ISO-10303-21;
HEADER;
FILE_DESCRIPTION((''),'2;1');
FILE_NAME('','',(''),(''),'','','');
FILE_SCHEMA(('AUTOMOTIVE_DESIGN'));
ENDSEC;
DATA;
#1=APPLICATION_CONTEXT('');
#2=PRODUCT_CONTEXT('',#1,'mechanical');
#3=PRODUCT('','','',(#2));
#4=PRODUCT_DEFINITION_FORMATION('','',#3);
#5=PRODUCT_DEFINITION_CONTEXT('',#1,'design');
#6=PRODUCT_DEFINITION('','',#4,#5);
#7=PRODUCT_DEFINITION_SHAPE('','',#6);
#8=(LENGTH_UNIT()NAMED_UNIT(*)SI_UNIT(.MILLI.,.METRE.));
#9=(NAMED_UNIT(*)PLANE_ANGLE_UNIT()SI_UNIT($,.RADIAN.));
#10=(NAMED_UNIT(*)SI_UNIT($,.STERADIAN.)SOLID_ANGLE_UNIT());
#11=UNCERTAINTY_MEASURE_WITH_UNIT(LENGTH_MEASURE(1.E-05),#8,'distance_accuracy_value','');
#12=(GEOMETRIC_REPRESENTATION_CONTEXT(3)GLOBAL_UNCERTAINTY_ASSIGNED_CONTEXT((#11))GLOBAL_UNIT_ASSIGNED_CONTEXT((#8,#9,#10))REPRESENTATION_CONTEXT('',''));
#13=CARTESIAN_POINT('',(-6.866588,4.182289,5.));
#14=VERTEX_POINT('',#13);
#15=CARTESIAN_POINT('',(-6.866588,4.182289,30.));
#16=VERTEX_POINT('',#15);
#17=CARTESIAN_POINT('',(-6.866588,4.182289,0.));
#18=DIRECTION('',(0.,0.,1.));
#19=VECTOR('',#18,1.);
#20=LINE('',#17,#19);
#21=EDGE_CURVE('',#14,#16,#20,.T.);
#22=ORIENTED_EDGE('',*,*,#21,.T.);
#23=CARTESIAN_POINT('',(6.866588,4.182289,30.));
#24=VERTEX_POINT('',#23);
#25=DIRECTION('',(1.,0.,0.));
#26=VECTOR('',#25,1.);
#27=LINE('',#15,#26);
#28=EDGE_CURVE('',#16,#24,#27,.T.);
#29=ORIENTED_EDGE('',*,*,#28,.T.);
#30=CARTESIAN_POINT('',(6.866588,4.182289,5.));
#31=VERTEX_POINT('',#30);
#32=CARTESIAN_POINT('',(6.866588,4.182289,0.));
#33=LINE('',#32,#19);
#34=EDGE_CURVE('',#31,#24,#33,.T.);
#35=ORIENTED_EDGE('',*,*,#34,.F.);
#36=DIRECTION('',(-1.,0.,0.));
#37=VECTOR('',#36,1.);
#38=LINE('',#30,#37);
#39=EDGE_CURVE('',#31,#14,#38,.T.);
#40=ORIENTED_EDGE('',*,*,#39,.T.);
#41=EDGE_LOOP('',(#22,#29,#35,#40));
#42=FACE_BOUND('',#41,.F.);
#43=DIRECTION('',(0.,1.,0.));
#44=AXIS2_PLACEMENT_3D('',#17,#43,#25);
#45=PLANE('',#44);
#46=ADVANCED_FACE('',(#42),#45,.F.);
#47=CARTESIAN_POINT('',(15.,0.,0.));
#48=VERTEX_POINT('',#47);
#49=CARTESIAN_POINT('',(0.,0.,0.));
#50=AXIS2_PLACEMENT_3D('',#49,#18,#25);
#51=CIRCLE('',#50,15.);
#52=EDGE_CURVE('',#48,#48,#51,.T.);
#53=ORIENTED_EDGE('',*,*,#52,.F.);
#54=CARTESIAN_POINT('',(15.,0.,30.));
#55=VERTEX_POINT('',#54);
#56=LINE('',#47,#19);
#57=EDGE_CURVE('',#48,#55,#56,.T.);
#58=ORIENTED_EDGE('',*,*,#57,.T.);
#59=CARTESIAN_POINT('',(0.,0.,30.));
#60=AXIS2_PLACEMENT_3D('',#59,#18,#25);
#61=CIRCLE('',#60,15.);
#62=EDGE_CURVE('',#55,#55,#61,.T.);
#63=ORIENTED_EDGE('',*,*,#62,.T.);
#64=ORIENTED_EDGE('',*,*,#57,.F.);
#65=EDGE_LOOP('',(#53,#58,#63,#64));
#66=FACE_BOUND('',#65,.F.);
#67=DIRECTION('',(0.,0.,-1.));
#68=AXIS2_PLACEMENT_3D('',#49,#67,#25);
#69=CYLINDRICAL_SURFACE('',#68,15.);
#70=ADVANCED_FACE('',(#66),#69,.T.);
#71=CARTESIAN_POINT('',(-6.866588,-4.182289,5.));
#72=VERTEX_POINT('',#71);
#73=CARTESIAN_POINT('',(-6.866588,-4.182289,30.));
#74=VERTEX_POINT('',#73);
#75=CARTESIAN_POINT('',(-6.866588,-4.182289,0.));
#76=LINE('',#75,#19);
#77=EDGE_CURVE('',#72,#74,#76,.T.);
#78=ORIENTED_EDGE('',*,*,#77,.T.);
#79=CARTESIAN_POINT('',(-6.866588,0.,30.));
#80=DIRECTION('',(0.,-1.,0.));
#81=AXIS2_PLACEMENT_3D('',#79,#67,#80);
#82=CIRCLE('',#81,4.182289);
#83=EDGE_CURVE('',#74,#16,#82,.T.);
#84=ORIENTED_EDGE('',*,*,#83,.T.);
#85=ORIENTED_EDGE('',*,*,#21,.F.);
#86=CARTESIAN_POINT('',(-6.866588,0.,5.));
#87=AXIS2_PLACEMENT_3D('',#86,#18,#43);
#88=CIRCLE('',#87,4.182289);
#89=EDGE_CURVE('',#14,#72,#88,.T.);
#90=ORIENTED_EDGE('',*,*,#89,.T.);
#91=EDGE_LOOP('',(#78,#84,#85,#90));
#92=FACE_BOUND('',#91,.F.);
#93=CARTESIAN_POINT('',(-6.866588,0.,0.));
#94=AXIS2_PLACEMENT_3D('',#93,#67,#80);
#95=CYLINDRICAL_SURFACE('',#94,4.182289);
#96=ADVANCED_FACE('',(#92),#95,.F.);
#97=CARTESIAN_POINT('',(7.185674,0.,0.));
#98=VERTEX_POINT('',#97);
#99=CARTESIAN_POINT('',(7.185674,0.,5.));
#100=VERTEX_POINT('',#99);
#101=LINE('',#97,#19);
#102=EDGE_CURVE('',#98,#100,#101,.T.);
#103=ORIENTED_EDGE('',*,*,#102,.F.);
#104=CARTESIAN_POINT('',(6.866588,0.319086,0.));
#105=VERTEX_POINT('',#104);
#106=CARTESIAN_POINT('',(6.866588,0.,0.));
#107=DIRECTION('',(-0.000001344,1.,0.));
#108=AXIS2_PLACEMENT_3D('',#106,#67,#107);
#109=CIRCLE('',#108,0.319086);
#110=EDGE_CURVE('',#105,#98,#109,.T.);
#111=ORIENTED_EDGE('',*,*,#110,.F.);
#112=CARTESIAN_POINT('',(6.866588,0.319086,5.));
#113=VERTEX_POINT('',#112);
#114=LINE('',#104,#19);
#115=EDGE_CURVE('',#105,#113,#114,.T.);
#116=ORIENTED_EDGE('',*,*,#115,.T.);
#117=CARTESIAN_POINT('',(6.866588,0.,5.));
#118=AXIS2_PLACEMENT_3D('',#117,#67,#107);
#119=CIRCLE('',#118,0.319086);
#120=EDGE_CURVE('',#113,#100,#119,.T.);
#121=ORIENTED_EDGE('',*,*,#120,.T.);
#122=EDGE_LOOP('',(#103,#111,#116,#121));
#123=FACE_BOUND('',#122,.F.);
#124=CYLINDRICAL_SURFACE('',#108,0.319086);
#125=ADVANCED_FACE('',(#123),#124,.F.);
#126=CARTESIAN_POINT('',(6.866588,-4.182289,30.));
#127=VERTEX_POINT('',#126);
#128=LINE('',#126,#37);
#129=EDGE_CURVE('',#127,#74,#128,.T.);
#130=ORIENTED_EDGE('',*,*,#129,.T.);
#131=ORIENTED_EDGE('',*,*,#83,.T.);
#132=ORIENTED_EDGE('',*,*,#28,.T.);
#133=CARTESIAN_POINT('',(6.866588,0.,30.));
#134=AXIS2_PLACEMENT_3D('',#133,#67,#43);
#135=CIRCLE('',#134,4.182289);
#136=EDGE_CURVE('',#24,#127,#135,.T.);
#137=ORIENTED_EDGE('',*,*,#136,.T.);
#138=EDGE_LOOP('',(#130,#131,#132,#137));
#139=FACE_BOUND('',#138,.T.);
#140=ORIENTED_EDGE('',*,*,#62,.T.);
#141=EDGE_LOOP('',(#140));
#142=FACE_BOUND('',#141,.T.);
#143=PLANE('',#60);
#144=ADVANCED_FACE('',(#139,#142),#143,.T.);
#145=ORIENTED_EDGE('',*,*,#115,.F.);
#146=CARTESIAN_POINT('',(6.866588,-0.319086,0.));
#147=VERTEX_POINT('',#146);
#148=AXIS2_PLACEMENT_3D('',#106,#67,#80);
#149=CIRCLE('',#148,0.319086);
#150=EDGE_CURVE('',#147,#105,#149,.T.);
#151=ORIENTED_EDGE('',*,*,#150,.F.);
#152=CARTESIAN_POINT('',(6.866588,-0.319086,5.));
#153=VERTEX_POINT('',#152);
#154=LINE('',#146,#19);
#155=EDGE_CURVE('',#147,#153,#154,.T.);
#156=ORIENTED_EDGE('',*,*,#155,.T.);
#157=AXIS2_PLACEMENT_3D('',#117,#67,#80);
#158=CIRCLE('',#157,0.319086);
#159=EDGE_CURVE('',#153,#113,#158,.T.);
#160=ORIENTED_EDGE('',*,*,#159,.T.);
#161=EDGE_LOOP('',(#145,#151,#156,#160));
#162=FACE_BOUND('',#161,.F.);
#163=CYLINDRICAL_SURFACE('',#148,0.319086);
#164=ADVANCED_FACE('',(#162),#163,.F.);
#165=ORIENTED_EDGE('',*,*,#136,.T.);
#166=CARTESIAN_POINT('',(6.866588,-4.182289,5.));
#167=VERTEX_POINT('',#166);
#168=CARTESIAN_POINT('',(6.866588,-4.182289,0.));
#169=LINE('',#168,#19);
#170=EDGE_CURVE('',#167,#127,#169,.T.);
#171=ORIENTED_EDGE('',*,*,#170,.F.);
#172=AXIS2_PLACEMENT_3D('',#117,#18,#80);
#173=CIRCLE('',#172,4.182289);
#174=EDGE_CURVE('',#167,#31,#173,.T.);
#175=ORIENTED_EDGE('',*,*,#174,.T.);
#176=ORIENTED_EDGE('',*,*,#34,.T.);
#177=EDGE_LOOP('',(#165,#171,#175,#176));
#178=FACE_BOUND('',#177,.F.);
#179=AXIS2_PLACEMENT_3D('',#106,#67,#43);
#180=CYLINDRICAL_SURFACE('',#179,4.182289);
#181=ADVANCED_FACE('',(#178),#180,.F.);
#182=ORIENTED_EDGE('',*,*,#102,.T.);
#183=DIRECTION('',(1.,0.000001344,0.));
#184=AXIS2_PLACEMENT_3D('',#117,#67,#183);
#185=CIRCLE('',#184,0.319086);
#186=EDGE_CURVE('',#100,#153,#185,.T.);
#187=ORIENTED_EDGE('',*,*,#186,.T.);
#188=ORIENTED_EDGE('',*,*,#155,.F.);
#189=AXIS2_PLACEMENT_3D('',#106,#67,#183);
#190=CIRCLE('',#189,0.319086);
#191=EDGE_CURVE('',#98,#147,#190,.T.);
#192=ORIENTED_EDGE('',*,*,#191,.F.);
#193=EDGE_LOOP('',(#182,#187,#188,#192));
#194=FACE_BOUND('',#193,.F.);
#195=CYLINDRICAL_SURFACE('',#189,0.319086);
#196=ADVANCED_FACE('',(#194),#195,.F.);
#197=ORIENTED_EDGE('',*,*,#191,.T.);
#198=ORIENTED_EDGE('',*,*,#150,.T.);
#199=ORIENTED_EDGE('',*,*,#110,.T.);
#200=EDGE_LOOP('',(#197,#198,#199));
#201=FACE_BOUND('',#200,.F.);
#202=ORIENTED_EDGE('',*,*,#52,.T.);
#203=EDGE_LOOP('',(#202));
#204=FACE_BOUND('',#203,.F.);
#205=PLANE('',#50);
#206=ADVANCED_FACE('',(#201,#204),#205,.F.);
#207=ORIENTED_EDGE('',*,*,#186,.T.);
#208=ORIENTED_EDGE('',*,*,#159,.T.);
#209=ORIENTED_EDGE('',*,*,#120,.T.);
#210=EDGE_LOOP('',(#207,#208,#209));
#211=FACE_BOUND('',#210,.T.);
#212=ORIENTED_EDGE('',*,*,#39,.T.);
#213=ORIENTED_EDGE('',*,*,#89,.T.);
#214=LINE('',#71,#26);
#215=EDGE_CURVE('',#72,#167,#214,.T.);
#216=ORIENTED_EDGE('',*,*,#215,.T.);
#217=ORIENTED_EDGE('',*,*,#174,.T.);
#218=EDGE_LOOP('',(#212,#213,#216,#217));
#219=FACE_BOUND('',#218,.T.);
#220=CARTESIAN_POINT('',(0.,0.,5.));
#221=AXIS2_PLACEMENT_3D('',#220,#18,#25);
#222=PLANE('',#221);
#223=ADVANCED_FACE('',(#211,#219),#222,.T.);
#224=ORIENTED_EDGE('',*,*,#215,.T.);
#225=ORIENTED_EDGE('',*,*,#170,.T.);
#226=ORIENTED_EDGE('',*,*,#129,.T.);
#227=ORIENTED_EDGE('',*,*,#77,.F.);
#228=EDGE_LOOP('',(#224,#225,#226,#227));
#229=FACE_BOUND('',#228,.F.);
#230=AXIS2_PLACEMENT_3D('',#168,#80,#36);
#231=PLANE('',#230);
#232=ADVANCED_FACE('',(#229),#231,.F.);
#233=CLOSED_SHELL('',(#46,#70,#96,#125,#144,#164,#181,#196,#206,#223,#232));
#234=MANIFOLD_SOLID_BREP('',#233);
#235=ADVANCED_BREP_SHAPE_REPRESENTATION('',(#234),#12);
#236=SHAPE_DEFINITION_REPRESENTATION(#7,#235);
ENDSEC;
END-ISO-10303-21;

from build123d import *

# Parameters (mm, degrees)
F0_R     = 15
F1_DEPTH = 30
F2_DEPTH = 5


with BuildPart() as f1:
    # F0 (on Top) → F1 (new body)
    with BuildSketch(Plane.XY):
        Circle(F0_R)
        with BuildLine():
            Line((-6.866588, 4.182289), (6.866588, 4.182289))
            ThreePointArc((6.866588, 4.182289), (11.048877, 0), (6.866588, -4.182289))
            Line((6.866588, -4.182289), (-6.866588, -4.182289))
            ThreePointArc((-6.866588, -4.182289), (-11.048877, 0), (-6.866588, 4.182289))
        make_face(mode=Mode.SUBTRACT)
    extrude(amount=F1_DEPTH)

    # F0 (on Top) → F2 (join)
    with BuildSketch(Plane.XY):
        with BuildLine():
            ThreePointArc((6.866588, -4.182289), (11.048877, 0), (6.866588, 4.182289))
            Line((6.866588, 4.182289), (-6.866588, 4.182289))
            ThreePointArc((-6.866588, 4.182289), (-11.048877, 0), (-6.866588, -4.182289))
            Line((-6.866588, -4.182289), (6.866588, -4.182289))
        make_face()
        with BuildLine():
            ThreePointArc((6.866588, -0.319086), (6.547502, 0), (6.866588, 0.319086))
            ThreePointArc((6.866588, 0.319086), (7.092216, 0.225628), (7.185674, 0))
            ThreePointArc((7.185674, 0), (7.092216, -0.225628), (6.866588, -0.319086))
        make_face(mode=Mode.SUBTRACT)
    extrude(amount=F2_DEPTH)


solid = f1.part
